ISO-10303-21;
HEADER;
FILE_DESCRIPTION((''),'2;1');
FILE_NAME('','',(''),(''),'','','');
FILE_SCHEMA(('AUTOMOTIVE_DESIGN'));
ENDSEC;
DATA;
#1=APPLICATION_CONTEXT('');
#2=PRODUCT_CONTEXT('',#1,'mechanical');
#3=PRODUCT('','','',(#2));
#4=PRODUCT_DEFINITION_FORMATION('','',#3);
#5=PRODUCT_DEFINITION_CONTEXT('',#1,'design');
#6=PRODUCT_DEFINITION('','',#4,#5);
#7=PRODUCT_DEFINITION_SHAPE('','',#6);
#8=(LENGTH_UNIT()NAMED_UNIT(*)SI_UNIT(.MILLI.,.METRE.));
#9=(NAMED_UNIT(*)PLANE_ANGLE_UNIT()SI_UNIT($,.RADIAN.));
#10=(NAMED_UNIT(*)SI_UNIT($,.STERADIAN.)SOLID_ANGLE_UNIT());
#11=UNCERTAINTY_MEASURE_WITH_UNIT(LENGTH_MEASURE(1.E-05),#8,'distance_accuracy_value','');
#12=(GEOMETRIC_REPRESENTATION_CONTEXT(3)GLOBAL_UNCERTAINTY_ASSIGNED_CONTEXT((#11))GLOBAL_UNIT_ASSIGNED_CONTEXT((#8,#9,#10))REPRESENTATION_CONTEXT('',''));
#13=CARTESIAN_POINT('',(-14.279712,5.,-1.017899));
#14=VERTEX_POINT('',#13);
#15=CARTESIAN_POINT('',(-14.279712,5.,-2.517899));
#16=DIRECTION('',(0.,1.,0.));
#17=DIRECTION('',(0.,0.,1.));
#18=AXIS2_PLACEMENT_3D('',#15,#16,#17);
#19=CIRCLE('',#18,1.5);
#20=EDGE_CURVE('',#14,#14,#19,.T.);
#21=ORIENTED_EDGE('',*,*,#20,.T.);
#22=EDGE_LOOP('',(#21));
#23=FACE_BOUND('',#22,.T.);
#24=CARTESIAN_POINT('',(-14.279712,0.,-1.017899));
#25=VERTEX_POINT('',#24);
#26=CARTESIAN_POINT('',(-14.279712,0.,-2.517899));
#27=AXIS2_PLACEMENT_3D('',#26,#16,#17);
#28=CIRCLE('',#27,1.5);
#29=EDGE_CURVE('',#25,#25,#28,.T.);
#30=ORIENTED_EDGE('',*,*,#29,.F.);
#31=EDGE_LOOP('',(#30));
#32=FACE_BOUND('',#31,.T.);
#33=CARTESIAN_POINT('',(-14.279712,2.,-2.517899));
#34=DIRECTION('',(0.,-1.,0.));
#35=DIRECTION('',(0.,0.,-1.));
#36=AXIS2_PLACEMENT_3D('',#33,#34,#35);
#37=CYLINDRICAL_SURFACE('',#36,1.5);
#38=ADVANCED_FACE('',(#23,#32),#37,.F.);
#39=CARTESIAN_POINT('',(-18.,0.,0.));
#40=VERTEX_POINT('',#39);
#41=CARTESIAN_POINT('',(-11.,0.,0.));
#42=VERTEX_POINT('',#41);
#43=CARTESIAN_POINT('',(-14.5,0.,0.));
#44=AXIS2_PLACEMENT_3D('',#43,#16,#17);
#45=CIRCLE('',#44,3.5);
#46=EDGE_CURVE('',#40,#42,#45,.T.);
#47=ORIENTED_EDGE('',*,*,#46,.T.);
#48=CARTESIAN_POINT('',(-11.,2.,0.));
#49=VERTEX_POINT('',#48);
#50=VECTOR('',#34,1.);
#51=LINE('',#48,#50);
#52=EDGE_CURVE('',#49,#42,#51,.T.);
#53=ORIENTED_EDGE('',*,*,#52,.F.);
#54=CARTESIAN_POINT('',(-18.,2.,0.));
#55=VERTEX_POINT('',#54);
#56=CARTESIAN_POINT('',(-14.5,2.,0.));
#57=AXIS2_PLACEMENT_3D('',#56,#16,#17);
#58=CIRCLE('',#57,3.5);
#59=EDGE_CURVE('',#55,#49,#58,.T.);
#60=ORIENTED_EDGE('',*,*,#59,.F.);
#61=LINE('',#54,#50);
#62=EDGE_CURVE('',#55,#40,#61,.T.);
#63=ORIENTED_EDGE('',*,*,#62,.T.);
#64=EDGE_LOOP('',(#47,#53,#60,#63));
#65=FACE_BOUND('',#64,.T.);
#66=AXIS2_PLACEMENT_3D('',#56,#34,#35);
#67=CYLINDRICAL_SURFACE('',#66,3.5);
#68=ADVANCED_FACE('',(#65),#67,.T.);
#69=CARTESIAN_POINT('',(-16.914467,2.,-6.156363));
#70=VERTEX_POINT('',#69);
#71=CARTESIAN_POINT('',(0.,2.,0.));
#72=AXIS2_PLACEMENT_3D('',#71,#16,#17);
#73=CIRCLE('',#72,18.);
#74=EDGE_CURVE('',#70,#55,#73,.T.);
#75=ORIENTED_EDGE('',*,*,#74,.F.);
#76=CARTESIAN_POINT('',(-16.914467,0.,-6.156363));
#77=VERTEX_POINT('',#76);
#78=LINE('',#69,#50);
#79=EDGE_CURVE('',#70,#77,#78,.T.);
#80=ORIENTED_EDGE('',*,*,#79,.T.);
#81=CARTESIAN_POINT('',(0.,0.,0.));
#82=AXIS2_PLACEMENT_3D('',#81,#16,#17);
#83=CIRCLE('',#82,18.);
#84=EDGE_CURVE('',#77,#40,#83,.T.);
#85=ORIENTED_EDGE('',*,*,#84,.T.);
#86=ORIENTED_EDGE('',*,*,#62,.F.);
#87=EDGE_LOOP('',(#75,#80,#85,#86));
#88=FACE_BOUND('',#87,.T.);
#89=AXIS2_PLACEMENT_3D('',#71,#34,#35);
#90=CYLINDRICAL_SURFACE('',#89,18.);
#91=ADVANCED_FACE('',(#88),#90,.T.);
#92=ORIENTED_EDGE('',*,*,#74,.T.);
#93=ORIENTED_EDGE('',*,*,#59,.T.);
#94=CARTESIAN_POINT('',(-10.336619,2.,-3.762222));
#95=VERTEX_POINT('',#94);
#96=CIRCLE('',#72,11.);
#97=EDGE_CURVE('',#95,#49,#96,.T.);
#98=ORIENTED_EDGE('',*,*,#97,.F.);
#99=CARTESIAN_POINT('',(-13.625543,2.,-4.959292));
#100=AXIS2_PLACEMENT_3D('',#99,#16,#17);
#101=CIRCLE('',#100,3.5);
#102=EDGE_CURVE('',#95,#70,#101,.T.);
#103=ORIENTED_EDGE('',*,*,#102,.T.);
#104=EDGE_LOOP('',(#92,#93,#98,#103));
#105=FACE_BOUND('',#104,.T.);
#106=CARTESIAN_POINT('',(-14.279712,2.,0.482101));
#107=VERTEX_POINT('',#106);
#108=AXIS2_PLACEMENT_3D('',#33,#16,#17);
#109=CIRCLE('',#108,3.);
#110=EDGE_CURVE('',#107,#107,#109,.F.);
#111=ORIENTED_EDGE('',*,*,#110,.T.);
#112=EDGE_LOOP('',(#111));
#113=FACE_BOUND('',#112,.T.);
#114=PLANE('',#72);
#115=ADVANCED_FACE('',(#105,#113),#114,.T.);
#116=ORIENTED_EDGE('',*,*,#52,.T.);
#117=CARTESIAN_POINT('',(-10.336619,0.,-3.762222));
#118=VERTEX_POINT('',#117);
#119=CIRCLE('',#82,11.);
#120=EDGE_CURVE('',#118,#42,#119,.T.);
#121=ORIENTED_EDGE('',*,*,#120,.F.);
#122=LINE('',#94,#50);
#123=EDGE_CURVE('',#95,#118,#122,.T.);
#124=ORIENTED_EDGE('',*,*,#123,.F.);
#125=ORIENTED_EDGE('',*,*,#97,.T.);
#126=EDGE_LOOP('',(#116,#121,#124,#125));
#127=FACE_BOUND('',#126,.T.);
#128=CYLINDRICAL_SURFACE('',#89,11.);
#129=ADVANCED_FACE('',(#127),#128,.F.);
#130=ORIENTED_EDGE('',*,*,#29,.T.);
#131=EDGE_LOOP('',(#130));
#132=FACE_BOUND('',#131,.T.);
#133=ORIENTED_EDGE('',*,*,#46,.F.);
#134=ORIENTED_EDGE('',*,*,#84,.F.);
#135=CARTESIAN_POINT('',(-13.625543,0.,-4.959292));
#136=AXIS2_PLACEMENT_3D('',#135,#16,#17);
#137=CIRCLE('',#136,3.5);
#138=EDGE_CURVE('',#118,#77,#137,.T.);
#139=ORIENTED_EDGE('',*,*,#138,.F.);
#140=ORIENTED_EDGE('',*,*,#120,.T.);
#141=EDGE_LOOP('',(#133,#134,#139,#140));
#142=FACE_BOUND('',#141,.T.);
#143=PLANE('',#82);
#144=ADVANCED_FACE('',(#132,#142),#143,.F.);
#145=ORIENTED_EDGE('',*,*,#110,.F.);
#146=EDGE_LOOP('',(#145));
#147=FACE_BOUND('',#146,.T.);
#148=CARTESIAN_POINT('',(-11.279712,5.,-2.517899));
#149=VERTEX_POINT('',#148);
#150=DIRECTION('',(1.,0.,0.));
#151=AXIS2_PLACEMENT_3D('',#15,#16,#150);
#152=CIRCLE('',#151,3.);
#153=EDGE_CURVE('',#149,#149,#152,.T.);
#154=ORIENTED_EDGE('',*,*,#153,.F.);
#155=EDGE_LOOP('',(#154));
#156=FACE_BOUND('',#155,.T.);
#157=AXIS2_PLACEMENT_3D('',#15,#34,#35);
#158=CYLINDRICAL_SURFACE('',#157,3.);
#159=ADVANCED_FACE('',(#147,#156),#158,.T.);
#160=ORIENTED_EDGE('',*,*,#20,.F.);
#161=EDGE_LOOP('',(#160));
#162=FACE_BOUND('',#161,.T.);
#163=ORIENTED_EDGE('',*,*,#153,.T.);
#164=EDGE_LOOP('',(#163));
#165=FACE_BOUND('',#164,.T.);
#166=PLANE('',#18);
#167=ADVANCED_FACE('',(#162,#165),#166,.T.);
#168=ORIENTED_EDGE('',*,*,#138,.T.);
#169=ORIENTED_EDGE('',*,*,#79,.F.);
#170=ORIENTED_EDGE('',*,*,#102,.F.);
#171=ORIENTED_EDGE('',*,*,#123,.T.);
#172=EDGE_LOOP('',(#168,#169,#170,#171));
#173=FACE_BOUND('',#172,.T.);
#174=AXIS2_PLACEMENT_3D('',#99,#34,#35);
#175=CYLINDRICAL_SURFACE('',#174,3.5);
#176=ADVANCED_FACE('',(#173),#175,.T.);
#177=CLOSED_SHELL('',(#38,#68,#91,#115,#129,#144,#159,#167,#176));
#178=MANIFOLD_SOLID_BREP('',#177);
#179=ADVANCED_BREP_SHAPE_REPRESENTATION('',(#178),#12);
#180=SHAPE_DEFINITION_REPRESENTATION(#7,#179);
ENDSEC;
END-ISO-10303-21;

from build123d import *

# Parameters (mm, degrees)
SKETCH_2_R        = 1.5
EXTRUDE_1_DEPTH   = 2
SKETCH_2_3_R      = 3
SKETCH_2_3_R_2    = 1.5
EXTRUDE_1_2_DEPTH = 5


with BuildPart() as part:
    # 草图2 → Extrude 1 (new body)
    with BuildSketch(Plane(origin=(0, 0, 0), x_dir=(1, 0, 0), z_dir=(0, 1, 0))):
        with BuildLine():
            ThreePointArc((-16.914467174, 6.15636258), (-17.726539554, 3.125667198), (-18, 0))
            ThreePointArc((-18, 0), (-14.5, -3.5), (-11, 0))
            ThreePointArc((-11, 0), (-10.832885283, 1.910129954), (-10.336618829, 3.762221577))
            ThreePointArc((-10.336618829, 3.762221577), (-12.4284725, 8.248216251), (-16.914467174, 6.15636258))
        make_face()
        with Locations(Location((-14.279712419, 2.517898576, 0), (0, 0, 270))):
            Circle(SKETCH_2_R, mode=Mode.SUBTRACT)
    extrude(amount=EXTRUDE_1_DEPTH)

    # 草图2<3> → Extrude 1 2 (add)
    with BuildSketch(Plane(origin=(0, 0, 0), x_dir=(1, 0, 0), z_dir=(0, 1, 0))):
        with Locations((-14.279712419, 2.517898576)):
            Circle(SKETCH_2_3_R)
        with Locations((-14.279712419, 2.517898576)):
            Circle(SKETCH_2_3_R_2, mode=Mode.SUBTRACT)
    extrude(amount=EXTRUDE_1_2_DEPTH)


solid = part.part
